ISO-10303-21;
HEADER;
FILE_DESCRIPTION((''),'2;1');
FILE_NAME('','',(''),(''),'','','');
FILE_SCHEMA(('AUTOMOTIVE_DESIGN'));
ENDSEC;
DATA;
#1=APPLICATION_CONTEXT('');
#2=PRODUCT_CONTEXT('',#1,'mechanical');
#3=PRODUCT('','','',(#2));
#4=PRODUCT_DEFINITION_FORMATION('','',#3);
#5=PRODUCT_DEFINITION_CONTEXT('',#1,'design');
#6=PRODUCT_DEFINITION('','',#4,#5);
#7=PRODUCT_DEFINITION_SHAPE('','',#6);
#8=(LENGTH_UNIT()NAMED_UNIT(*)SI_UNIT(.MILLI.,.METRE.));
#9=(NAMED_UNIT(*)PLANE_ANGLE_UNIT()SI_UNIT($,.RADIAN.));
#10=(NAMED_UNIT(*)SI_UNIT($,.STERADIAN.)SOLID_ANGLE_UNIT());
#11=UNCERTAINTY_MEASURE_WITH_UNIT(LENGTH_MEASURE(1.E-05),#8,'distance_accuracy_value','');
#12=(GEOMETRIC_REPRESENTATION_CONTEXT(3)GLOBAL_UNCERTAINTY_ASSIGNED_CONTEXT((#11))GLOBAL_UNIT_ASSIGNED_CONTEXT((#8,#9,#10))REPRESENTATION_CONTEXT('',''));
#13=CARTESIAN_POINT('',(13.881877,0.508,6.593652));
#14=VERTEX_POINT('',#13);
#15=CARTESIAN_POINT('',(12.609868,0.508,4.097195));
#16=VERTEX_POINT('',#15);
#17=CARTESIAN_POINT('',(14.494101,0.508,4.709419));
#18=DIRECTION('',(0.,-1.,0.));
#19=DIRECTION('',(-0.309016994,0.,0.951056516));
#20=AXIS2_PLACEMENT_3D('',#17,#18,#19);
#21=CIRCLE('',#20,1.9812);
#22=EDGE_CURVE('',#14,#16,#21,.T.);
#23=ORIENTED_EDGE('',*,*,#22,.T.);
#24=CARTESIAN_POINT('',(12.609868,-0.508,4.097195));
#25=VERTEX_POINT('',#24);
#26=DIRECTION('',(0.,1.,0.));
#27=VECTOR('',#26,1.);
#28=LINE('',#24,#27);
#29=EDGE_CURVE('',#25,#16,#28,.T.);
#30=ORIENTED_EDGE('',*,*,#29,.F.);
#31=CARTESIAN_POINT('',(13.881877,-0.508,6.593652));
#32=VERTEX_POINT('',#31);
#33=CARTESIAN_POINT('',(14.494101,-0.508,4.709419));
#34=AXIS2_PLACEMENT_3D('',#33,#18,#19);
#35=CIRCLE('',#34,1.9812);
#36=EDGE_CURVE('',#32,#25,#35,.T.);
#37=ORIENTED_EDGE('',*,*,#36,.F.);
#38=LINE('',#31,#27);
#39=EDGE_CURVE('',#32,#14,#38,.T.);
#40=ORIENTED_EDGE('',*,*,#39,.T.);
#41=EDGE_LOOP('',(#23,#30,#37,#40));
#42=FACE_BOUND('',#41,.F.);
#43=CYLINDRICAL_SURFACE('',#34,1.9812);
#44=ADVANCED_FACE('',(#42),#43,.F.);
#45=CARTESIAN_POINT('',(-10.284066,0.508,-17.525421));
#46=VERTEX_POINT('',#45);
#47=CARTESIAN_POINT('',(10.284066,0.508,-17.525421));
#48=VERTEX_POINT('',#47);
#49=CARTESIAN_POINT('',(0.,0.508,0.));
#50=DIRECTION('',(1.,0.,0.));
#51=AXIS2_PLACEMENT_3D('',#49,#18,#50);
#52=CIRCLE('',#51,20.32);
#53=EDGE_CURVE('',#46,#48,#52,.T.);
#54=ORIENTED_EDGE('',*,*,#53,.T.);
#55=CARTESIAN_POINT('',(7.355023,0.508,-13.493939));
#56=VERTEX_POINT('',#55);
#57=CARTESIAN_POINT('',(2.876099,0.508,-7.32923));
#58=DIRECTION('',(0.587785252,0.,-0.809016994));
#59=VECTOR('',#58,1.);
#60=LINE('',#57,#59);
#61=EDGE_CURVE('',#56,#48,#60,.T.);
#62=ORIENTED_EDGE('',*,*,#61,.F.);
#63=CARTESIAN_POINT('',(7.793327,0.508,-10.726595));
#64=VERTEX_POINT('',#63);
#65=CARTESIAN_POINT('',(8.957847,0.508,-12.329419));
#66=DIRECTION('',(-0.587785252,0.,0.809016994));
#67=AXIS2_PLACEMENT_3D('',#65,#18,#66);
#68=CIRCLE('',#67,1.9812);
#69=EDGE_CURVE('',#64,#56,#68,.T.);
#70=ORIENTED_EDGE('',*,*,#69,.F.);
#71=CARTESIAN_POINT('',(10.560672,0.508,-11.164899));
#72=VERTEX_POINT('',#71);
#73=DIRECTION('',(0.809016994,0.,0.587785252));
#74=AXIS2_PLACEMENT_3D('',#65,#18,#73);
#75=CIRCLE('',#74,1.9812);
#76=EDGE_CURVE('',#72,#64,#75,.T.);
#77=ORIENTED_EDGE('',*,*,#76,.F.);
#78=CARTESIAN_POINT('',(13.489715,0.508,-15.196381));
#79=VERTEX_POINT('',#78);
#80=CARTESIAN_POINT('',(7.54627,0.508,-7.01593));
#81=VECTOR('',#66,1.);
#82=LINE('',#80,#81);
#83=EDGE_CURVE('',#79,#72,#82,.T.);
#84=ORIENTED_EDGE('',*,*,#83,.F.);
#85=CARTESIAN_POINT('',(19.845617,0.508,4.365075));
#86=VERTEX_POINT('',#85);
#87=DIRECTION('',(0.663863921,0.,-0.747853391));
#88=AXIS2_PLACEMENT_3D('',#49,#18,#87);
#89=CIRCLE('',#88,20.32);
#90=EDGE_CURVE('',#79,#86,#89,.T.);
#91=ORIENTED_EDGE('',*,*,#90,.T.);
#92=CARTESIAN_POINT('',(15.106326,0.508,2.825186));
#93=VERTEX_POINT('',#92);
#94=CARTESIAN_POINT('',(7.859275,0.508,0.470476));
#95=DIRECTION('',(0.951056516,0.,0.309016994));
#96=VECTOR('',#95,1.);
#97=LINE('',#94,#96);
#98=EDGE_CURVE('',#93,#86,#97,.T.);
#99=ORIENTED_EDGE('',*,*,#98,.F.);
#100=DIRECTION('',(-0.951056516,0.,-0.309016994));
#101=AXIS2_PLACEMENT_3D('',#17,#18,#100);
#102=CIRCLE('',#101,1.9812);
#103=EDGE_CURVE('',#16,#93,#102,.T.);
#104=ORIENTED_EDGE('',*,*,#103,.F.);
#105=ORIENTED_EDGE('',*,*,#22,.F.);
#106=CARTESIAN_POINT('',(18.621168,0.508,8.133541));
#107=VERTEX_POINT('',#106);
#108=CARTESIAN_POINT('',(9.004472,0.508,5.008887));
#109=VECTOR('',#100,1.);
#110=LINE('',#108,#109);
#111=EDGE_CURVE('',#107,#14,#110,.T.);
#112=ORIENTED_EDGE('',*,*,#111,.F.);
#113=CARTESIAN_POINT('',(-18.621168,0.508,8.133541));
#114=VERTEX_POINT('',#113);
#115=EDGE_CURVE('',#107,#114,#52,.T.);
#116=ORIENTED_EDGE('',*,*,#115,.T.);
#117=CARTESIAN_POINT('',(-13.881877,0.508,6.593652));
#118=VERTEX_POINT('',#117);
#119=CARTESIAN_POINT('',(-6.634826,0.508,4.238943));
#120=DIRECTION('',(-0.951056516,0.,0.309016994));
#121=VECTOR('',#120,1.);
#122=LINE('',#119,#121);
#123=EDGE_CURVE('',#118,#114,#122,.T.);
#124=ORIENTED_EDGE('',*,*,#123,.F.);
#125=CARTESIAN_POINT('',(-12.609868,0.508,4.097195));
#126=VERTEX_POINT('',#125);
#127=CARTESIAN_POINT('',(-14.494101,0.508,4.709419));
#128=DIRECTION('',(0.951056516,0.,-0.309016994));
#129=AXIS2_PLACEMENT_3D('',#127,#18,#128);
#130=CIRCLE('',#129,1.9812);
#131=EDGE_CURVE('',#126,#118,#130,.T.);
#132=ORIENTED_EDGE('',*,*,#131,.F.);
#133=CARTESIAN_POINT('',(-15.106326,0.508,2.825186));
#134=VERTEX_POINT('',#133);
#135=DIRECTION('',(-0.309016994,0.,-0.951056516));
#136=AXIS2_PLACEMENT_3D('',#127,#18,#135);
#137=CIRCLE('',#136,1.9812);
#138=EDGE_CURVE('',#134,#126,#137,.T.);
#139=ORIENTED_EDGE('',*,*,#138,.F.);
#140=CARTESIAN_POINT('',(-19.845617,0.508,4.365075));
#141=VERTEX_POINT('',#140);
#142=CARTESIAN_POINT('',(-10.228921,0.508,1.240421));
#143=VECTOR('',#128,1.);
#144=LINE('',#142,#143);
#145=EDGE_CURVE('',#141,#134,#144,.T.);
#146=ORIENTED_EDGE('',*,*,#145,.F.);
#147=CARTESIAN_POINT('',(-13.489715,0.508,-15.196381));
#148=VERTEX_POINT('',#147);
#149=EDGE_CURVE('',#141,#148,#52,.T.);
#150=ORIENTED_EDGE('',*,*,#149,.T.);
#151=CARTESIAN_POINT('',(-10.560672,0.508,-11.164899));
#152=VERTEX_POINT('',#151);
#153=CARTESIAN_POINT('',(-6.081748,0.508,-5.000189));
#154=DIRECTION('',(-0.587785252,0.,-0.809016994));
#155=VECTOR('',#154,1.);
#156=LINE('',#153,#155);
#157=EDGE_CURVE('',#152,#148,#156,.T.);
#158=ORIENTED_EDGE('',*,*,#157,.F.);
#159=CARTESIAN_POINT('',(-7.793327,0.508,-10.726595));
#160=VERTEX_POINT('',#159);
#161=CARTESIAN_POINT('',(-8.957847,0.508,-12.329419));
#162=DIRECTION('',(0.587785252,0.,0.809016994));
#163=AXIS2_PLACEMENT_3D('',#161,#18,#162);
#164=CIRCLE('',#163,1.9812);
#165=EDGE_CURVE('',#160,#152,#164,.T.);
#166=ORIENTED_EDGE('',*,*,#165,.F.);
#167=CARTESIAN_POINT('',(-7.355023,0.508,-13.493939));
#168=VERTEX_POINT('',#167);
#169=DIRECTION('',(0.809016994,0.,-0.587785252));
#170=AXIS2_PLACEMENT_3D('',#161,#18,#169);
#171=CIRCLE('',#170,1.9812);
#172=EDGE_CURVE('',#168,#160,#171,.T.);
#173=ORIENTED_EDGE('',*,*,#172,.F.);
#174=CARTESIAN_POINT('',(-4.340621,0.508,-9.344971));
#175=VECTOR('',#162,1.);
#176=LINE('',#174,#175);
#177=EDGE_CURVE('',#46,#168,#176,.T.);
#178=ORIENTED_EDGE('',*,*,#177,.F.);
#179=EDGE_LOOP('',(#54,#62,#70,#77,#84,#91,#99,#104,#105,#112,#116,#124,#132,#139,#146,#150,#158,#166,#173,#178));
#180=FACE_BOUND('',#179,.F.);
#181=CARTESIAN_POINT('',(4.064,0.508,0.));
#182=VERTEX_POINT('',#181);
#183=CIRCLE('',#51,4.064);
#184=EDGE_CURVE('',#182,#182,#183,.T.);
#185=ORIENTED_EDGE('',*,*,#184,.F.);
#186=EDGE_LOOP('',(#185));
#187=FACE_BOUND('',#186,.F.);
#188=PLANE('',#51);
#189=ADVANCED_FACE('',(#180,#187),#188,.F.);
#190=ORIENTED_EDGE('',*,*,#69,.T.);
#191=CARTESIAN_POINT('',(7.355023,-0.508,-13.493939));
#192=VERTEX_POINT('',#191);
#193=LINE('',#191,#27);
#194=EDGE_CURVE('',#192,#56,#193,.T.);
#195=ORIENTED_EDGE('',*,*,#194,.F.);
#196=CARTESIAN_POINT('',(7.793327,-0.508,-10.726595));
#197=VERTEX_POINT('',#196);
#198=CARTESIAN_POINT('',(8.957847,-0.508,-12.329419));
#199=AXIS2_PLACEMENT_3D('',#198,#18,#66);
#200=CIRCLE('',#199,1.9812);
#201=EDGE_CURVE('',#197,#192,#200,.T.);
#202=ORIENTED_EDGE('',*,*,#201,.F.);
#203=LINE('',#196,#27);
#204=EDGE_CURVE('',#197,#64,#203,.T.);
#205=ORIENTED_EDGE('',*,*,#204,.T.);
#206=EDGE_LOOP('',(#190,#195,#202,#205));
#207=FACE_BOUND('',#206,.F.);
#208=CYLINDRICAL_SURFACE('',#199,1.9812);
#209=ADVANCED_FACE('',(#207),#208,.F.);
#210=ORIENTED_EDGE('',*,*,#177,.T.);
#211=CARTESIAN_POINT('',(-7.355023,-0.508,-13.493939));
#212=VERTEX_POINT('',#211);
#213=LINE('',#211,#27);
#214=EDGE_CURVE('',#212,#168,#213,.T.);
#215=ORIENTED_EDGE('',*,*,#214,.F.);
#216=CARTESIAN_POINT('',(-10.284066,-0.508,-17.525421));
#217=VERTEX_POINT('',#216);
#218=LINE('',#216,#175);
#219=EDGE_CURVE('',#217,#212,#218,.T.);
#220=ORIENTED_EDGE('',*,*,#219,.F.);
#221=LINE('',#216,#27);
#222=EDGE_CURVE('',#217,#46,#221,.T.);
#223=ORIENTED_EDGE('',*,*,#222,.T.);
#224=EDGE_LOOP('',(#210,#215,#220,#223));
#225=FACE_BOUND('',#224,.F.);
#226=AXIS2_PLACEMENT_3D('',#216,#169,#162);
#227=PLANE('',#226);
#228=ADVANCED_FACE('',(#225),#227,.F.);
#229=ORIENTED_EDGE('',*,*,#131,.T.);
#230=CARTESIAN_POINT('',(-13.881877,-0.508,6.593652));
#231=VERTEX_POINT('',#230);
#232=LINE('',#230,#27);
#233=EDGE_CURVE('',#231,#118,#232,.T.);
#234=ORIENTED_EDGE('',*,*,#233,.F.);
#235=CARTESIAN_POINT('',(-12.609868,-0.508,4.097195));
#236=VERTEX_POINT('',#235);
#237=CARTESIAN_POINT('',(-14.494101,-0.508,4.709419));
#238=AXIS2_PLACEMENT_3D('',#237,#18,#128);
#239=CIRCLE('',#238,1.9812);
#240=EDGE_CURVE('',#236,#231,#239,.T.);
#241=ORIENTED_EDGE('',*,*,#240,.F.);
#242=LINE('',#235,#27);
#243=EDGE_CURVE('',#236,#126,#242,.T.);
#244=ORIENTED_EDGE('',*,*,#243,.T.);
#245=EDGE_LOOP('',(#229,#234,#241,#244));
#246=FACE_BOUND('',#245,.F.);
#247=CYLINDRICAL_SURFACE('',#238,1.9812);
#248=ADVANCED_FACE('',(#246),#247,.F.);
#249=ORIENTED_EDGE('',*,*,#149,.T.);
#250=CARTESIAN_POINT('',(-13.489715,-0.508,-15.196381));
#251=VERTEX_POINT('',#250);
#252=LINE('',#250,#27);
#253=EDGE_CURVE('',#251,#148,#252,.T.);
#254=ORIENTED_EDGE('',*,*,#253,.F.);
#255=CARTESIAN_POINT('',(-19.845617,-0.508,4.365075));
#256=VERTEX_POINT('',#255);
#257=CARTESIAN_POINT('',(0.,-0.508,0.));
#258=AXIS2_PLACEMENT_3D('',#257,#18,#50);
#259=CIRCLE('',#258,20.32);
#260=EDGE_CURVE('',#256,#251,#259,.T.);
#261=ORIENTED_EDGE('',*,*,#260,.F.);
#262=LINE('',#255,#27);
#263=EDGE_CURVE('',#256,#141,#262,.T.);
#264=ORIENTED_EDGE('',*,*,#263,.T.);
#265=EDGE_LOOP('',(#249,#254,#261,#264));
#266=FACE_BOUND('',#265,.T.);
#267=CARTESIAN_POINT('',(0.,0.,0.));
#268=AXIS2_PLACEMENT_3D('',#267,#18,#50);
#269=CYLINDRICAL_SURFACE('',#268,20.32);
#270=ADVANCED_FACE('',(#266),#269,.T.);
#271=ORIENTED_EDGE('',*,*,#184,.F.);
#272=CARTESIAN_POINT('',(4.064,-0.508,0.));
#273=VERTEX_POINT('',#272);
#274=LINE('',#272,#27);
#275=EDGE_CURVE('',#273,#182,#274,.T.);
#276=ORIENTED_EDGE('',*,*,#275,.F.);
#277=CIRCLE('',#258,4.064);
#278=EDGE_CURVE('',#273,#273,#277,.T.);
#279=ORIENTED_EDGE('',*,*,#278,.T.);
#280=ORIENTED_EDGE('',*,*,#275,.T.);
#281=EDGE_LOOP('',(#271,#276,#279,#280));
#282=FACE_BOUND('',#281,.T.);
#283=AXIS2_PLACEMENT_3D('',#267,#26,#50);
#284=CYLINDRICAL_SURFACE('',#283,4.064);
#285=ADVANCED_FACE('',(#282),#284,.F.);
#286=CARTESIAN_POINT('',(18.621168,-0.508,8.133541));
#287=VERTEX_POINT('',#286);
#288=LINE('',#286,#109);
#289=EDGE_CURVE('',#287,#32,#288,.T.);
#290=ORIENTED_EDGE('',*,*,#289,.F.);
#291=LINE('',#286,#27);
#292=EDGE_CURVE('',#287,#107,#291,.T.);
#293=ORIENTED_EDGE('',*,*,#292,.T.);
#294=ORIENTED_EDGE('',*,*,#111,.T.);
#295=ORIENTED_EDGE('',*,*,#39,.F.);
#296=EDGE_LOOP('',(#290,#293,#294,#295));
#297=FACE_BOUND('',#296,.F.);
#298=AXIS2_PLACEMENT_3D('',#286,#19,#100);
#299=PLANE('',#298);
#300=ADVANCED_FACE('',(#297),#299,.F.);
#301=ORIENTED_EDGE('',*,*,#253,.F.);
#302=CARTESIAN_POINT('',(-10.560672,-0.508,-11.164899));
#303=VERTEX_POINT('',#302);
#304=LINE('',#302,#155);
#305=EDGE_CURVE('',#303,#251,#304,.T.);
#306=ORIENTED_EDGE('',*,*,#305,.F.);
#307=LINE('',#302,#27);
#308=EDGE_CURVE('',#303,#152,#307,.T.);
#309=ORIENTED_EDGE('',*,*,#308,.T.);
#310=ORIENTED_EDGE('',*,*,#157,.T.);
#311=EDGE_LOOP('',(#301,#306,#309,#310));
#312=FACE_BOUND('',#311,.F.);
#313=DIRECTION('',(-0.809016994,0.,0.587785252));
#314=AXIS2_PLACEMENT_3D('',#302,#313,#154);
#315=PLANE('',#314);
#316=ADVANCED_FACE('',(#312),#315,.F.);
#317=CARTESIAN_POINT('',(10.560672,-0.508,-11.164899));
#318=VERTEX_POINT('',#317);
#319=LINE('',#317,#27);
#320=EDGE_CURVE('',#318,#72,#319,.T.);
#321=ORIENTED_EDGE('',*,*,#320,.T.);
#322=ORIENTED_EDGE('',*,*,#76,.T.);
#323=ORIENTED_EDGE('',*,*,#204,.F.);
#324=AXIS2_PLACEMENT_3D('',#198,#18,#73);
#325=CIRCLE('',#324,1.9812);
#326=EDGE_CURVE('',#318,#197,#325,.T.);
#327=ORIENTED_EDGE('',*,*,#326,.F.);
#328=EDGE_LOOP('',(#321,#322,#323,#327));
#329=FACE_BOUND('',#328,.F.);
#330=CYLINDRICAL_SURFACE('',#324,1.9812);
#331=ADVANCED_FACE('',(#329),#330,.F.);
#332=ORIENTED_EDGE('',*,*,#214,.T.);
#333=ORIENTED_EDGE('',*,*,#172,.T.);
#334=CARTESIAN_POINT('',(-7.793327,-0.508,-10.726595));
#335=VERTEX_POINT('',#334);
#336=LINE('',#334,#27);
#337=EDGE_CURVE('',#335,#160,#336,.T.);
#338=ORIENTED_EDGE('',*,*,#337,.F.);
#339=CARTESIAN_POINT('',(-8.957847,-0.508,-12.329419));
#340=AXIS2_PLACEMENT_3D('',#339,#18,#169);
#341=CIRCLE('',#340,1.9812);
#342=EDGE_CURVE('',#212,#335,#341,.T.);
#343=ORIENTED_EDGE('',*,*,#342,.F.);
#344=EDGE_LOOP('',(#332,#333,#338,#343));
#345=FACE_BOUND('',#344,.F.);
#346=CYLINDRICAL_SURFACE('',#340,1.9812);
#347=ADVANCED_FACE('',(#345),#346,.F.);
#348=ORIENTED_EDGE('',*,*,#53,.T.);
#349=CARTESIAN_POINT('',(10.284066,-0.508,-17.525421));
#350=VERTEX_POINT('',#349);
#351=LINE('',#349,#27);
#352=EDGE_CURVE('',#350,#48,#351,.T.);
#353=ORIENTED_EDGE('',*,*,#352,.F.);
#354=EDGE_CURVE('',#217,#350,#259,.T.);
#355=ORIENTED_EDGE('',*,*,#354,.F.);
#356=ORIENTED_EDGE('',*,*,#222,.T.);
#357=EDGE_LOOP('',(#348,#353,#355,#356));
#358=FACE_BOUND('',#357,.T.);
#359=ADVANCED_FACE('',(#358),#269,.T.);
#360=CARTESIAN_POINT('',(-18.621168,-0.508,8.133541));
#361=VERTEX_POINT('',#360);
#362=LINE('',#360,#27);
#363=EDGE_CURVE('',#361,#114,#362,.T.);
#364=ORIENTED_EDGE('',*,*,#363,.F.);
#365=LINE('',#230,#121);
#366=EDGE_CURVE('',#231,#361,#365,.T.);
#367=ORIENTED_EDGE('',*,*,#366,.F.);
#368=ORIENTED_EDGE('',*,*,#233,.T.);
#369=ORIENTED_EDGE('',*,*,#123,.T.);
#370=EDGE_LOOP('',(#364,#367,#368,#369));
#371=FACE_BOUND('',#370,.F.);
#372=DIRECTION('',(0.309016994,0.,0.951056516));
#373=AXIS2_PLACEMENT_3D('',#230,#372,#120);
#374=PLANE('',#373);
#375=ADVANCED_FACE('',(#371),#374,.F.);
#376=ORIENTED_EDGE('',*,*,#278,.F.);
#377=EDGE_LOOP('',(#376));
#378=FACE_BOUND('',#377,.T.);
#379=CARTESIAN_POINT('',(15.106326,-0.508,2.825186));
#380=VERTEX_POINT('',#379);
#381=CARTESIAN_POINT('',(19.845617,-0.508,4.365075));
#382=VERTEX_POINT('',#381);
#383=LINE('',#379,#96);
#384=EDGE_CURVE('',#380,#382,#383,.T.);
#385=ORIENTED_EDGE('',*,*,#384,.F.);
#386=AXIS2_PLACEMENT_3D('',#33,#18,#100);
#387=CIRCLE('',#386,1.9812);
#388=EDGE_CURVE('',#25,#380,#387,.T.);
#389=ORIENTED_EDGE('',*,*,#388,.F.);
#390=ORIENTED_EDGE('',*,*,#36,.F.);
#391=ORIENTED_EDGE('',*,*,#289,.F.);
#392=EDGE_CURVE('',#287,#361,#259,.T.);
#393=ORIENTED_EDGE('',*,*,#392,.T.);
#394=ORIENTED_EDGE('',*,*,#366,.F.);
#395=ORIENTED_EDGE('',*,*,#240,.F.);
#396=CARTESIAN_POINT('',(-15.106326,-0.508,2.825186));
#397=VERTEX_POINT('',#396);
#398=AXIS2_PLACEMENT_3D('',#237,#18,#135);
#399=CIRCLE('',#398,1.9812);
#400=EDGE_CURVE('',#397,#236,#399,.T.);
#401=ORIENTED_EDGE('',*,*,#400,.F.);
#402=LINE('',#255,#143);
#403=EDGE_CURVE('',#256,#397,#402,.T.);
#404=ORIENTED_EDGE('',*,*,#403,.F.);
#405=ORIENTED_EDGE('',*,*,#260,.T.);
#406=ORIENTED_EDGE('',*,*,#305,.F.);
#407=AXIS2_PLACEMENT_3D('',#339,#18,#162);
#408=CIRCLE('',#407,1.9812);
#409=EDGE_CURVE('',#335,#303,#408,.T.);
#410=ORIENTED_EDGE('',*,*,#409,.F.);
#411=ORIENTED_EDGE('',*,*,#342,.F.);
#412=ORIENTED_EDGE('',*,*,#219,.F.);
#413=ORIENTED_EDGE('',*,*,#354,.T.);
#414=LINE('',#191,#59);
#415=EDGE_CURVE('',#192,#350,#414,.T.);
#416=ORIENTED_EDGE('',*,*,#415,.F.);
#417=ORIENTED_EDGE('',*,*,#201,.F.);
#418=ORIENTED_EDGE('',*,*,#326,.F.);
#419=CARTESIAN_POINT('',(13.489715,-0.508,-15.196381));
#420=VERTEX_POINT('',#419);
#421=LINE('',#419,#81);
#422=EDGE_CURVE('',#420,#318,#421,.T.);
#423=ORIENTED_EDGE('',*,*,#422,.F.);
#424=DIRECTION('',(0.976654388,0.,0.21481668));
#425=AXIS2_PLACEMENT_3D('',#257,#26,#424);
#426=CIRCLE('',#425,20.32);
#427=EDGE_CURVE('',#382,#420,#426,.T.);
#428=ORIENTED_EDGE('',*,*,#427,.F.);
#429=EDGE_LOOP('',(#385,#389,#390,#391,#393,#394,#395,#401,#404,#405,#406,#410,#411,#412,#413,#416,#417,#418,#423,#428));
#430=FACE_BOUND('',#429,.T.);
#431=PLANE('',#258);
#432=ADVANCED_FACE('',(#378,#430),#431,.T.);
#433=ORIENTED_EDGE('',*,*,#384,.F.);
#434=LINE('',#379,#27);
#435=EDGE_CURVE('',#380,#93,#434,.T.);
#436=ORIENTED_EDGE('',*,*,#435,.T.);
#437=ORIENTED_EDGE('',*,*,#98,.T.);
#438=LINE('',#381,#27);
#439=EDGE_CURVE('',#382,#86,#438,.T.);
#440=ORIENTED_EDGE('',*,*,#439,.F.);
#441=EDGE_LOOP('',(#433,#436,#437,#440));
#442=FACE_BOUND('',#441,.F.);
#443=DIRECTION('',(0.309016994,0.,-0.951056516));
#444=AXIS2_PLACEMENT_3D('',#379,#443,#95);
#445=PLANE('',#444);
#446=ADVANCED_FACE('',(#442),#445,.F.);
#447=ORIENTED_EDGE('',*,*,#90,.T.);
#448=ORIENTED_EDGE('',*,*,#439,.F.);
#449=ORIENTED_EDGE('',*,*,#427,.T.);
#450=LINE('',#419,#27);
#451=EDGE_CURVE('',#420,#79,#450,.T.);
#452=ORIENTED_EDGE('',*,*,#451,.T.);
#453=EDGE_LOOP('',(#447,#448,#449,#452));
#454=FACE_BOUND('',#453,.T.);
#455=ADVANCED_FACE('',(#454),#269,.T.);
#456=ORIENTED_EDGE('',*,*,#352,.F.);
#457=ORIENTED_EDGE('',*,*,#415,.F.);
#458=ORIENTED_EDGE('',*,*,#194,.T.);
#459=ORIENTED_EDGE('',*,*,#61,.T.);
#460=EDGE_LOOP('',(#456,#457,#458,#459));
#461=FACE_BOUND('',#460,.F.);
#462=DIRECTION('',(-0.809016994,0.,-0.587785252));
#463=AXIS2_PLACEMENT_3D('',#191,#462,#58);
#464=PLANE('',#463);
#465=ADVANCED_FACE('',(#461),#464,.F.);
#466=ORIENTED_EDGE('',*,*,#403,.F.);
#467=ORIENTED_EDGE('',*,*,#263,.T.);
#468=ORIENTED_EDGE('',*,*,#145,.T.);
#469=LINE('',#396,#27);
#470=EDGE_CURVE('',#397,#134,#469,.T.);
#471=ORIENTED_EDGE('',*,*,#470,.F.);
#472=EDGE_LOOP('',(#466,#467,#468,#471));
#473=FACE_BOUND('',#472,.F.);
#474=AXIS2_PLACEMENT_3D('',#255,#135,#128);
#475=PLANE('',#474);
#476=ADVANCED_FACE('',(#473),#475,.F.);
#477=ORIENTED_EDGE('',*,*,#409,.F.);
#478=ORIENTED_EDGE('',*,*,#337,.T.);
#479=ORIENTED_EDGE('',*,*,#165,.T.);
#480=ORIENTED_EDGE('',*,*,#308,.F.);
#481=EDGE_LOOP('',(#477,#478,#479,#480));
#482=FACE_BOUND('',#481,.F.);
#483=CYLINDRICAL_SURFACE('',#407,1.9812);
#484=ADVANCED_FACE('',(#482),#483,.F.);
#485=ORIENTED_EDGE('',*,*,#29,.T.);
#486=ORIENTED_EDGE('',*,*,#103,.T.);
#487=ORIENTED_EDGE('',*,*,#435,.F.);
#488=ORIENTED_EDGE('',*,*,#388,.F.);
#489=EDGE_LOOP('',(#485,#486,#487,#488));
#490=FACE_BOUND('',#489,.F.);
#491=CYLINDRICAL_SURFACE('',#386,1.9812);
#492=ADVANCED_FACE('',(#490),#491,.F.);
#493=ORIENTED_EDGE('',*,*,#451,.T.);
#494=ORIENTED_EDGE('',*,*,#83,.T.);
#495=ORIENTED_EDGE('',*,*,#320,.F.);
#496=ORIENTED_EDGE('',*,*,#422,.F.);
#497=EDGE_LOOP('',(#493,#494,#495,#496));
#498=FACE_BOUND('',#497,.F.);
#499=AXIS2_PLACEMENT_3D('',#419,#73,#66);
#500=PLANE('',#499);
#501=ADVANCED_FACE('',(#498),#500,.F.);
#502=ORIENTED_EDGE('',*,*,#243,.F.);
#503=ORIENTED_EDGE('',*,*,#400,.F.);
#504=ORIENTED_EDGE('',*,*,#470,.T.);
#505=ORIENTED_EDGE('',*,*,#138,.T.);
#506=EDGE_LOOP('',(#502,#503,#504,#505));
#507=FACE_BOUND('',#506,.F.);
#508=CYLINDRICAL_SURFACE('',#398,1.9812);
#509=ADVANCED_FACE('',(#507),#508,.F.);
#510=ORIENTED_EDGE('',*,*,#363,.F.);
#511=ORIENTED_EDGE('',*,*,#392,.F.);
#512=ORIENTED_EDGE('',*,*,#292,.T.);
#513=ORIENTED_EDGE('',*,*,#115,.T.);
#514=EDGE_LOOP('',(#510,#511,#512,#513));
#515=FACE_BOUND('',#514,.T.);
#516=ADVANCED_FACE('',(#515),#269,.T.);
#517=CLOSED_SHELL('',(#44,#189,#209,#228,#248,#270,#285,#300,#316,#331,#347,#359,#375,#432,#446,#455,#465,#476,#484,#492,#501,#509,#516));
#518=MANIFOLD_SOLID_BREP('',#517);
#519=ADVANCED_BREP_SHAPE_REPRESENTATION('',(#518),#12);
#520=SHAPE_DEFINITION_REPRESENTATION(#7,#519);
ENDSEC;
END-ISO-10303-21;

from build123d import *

# Parameters (mm, degrees)
F0_R     = 20.32
F0_R_2   = 4.064
F1_DEPTH = 0.508
F3_DEPTH = 25.4


with BuildPart() as f1:
    # F0 (on Front) → F1 (new body, symmetric)
    with BuildSketch(Plane.XZ):
        Circle(F0_R)
        Circle(F0_R_2, mode=Mode.SUBTRACT)
    extrude(amount=F1_DEPTH, both=True)

    # F2 (on face) → F3 (cut)
    with BuildSketch(Plane.XZ.offset(0.508)):
        with BuildLine():
            Line((18.6211682286, 8.133541283), (13.8818768391, 6.5936521644))
            ThreePointArc((13.8818768391, 6.5936521644), (12.7288391826, 5.6088649724), (12.6098681383, 4.097194525))
            ThreePointArc((12.6098681383, 4.097194525), (13.5946553303, 2.9441568686), (15.1063257776, 2.8251858242))
            Line((15.1063257776, 2.8251858242), (19.8456171671, 4.3650749428))
            ThreePointArc((19.8456171671, 4.3650749428), (19.3254684111, 6.2792253257), (18.6211682286, 8.133541283))
        make_face()
        with BuildLine():
            ThreePointArc((10.284065937, -17.5254211876), (11.9437963266, -16.4392253257), (13.4897148755, -15.1963809039))
            Line((13.4897148755, -15.1963809039), (10.5606717142, -11.1648988524))
            ThreePointArc((10.5606717142, -11.1648988524), (9.2677752071, -10.3726108539), (7.7933271031, -10.726594525))
            ThreePointArc((7.7933271031, -10.726594525), (7.0010391046, -12.0194910321), (7.3550227757, -13.4939391361))
            Line((7.3550227757, -13.4939391361), (10.284065937, -17.5254211876))
        make_face()
        with BuildLine():
            Line((-10.5606717142, -11.1648988524), (-13.4897148755, -15.1963809039))
            ThreePointArc((-13.4897148755, -15.1963809039), (-11.9437963266, -16.4392253257), (-10.284065937, -17.5254211876))
            Line((-10.284065937, -17.5254211876), (-7.3550227757, -13.4939391361))
            ThreePointArc((-7.3550227757, -13.4939391361), (-7.0010391046, -12.0194910321), (-7.7933271031, -10.726594525))
            ThreePointArc((-7.7933271031, -10.726594525), (-9.2677752071, -10.3726108539), (-10.5606717142, -11.1648988524))
        make_face()
        with BuildLine():
            Line((-13.8818768391, 6.5936521644), (-18.6211682286, 8.133541283))
            ThreePointArc((-18.6211682286, 8.133541283), (-19.3254684111, 6.2792253257), (-19.8456171671, 4.3650749428))
            Line((-19.8456171671, 4.3650749428), (-15.1063257776, 2.8251858242))
            ThreePointArc((-15.1063257776, 2.8251858242), (-13.5946553303, 2.9441568686), (-12.6098681383, 4.097194525))
            ThreePointArc((-12.6098681383, 4.097194525), (-12.7288391826, 5.6088649724), (-13.8818768391, 6.5936521644))
        make_face()
    extrude(amount=-F3_DEPTH, mode=Mode.SUBTRACT)


solid = f1.part
